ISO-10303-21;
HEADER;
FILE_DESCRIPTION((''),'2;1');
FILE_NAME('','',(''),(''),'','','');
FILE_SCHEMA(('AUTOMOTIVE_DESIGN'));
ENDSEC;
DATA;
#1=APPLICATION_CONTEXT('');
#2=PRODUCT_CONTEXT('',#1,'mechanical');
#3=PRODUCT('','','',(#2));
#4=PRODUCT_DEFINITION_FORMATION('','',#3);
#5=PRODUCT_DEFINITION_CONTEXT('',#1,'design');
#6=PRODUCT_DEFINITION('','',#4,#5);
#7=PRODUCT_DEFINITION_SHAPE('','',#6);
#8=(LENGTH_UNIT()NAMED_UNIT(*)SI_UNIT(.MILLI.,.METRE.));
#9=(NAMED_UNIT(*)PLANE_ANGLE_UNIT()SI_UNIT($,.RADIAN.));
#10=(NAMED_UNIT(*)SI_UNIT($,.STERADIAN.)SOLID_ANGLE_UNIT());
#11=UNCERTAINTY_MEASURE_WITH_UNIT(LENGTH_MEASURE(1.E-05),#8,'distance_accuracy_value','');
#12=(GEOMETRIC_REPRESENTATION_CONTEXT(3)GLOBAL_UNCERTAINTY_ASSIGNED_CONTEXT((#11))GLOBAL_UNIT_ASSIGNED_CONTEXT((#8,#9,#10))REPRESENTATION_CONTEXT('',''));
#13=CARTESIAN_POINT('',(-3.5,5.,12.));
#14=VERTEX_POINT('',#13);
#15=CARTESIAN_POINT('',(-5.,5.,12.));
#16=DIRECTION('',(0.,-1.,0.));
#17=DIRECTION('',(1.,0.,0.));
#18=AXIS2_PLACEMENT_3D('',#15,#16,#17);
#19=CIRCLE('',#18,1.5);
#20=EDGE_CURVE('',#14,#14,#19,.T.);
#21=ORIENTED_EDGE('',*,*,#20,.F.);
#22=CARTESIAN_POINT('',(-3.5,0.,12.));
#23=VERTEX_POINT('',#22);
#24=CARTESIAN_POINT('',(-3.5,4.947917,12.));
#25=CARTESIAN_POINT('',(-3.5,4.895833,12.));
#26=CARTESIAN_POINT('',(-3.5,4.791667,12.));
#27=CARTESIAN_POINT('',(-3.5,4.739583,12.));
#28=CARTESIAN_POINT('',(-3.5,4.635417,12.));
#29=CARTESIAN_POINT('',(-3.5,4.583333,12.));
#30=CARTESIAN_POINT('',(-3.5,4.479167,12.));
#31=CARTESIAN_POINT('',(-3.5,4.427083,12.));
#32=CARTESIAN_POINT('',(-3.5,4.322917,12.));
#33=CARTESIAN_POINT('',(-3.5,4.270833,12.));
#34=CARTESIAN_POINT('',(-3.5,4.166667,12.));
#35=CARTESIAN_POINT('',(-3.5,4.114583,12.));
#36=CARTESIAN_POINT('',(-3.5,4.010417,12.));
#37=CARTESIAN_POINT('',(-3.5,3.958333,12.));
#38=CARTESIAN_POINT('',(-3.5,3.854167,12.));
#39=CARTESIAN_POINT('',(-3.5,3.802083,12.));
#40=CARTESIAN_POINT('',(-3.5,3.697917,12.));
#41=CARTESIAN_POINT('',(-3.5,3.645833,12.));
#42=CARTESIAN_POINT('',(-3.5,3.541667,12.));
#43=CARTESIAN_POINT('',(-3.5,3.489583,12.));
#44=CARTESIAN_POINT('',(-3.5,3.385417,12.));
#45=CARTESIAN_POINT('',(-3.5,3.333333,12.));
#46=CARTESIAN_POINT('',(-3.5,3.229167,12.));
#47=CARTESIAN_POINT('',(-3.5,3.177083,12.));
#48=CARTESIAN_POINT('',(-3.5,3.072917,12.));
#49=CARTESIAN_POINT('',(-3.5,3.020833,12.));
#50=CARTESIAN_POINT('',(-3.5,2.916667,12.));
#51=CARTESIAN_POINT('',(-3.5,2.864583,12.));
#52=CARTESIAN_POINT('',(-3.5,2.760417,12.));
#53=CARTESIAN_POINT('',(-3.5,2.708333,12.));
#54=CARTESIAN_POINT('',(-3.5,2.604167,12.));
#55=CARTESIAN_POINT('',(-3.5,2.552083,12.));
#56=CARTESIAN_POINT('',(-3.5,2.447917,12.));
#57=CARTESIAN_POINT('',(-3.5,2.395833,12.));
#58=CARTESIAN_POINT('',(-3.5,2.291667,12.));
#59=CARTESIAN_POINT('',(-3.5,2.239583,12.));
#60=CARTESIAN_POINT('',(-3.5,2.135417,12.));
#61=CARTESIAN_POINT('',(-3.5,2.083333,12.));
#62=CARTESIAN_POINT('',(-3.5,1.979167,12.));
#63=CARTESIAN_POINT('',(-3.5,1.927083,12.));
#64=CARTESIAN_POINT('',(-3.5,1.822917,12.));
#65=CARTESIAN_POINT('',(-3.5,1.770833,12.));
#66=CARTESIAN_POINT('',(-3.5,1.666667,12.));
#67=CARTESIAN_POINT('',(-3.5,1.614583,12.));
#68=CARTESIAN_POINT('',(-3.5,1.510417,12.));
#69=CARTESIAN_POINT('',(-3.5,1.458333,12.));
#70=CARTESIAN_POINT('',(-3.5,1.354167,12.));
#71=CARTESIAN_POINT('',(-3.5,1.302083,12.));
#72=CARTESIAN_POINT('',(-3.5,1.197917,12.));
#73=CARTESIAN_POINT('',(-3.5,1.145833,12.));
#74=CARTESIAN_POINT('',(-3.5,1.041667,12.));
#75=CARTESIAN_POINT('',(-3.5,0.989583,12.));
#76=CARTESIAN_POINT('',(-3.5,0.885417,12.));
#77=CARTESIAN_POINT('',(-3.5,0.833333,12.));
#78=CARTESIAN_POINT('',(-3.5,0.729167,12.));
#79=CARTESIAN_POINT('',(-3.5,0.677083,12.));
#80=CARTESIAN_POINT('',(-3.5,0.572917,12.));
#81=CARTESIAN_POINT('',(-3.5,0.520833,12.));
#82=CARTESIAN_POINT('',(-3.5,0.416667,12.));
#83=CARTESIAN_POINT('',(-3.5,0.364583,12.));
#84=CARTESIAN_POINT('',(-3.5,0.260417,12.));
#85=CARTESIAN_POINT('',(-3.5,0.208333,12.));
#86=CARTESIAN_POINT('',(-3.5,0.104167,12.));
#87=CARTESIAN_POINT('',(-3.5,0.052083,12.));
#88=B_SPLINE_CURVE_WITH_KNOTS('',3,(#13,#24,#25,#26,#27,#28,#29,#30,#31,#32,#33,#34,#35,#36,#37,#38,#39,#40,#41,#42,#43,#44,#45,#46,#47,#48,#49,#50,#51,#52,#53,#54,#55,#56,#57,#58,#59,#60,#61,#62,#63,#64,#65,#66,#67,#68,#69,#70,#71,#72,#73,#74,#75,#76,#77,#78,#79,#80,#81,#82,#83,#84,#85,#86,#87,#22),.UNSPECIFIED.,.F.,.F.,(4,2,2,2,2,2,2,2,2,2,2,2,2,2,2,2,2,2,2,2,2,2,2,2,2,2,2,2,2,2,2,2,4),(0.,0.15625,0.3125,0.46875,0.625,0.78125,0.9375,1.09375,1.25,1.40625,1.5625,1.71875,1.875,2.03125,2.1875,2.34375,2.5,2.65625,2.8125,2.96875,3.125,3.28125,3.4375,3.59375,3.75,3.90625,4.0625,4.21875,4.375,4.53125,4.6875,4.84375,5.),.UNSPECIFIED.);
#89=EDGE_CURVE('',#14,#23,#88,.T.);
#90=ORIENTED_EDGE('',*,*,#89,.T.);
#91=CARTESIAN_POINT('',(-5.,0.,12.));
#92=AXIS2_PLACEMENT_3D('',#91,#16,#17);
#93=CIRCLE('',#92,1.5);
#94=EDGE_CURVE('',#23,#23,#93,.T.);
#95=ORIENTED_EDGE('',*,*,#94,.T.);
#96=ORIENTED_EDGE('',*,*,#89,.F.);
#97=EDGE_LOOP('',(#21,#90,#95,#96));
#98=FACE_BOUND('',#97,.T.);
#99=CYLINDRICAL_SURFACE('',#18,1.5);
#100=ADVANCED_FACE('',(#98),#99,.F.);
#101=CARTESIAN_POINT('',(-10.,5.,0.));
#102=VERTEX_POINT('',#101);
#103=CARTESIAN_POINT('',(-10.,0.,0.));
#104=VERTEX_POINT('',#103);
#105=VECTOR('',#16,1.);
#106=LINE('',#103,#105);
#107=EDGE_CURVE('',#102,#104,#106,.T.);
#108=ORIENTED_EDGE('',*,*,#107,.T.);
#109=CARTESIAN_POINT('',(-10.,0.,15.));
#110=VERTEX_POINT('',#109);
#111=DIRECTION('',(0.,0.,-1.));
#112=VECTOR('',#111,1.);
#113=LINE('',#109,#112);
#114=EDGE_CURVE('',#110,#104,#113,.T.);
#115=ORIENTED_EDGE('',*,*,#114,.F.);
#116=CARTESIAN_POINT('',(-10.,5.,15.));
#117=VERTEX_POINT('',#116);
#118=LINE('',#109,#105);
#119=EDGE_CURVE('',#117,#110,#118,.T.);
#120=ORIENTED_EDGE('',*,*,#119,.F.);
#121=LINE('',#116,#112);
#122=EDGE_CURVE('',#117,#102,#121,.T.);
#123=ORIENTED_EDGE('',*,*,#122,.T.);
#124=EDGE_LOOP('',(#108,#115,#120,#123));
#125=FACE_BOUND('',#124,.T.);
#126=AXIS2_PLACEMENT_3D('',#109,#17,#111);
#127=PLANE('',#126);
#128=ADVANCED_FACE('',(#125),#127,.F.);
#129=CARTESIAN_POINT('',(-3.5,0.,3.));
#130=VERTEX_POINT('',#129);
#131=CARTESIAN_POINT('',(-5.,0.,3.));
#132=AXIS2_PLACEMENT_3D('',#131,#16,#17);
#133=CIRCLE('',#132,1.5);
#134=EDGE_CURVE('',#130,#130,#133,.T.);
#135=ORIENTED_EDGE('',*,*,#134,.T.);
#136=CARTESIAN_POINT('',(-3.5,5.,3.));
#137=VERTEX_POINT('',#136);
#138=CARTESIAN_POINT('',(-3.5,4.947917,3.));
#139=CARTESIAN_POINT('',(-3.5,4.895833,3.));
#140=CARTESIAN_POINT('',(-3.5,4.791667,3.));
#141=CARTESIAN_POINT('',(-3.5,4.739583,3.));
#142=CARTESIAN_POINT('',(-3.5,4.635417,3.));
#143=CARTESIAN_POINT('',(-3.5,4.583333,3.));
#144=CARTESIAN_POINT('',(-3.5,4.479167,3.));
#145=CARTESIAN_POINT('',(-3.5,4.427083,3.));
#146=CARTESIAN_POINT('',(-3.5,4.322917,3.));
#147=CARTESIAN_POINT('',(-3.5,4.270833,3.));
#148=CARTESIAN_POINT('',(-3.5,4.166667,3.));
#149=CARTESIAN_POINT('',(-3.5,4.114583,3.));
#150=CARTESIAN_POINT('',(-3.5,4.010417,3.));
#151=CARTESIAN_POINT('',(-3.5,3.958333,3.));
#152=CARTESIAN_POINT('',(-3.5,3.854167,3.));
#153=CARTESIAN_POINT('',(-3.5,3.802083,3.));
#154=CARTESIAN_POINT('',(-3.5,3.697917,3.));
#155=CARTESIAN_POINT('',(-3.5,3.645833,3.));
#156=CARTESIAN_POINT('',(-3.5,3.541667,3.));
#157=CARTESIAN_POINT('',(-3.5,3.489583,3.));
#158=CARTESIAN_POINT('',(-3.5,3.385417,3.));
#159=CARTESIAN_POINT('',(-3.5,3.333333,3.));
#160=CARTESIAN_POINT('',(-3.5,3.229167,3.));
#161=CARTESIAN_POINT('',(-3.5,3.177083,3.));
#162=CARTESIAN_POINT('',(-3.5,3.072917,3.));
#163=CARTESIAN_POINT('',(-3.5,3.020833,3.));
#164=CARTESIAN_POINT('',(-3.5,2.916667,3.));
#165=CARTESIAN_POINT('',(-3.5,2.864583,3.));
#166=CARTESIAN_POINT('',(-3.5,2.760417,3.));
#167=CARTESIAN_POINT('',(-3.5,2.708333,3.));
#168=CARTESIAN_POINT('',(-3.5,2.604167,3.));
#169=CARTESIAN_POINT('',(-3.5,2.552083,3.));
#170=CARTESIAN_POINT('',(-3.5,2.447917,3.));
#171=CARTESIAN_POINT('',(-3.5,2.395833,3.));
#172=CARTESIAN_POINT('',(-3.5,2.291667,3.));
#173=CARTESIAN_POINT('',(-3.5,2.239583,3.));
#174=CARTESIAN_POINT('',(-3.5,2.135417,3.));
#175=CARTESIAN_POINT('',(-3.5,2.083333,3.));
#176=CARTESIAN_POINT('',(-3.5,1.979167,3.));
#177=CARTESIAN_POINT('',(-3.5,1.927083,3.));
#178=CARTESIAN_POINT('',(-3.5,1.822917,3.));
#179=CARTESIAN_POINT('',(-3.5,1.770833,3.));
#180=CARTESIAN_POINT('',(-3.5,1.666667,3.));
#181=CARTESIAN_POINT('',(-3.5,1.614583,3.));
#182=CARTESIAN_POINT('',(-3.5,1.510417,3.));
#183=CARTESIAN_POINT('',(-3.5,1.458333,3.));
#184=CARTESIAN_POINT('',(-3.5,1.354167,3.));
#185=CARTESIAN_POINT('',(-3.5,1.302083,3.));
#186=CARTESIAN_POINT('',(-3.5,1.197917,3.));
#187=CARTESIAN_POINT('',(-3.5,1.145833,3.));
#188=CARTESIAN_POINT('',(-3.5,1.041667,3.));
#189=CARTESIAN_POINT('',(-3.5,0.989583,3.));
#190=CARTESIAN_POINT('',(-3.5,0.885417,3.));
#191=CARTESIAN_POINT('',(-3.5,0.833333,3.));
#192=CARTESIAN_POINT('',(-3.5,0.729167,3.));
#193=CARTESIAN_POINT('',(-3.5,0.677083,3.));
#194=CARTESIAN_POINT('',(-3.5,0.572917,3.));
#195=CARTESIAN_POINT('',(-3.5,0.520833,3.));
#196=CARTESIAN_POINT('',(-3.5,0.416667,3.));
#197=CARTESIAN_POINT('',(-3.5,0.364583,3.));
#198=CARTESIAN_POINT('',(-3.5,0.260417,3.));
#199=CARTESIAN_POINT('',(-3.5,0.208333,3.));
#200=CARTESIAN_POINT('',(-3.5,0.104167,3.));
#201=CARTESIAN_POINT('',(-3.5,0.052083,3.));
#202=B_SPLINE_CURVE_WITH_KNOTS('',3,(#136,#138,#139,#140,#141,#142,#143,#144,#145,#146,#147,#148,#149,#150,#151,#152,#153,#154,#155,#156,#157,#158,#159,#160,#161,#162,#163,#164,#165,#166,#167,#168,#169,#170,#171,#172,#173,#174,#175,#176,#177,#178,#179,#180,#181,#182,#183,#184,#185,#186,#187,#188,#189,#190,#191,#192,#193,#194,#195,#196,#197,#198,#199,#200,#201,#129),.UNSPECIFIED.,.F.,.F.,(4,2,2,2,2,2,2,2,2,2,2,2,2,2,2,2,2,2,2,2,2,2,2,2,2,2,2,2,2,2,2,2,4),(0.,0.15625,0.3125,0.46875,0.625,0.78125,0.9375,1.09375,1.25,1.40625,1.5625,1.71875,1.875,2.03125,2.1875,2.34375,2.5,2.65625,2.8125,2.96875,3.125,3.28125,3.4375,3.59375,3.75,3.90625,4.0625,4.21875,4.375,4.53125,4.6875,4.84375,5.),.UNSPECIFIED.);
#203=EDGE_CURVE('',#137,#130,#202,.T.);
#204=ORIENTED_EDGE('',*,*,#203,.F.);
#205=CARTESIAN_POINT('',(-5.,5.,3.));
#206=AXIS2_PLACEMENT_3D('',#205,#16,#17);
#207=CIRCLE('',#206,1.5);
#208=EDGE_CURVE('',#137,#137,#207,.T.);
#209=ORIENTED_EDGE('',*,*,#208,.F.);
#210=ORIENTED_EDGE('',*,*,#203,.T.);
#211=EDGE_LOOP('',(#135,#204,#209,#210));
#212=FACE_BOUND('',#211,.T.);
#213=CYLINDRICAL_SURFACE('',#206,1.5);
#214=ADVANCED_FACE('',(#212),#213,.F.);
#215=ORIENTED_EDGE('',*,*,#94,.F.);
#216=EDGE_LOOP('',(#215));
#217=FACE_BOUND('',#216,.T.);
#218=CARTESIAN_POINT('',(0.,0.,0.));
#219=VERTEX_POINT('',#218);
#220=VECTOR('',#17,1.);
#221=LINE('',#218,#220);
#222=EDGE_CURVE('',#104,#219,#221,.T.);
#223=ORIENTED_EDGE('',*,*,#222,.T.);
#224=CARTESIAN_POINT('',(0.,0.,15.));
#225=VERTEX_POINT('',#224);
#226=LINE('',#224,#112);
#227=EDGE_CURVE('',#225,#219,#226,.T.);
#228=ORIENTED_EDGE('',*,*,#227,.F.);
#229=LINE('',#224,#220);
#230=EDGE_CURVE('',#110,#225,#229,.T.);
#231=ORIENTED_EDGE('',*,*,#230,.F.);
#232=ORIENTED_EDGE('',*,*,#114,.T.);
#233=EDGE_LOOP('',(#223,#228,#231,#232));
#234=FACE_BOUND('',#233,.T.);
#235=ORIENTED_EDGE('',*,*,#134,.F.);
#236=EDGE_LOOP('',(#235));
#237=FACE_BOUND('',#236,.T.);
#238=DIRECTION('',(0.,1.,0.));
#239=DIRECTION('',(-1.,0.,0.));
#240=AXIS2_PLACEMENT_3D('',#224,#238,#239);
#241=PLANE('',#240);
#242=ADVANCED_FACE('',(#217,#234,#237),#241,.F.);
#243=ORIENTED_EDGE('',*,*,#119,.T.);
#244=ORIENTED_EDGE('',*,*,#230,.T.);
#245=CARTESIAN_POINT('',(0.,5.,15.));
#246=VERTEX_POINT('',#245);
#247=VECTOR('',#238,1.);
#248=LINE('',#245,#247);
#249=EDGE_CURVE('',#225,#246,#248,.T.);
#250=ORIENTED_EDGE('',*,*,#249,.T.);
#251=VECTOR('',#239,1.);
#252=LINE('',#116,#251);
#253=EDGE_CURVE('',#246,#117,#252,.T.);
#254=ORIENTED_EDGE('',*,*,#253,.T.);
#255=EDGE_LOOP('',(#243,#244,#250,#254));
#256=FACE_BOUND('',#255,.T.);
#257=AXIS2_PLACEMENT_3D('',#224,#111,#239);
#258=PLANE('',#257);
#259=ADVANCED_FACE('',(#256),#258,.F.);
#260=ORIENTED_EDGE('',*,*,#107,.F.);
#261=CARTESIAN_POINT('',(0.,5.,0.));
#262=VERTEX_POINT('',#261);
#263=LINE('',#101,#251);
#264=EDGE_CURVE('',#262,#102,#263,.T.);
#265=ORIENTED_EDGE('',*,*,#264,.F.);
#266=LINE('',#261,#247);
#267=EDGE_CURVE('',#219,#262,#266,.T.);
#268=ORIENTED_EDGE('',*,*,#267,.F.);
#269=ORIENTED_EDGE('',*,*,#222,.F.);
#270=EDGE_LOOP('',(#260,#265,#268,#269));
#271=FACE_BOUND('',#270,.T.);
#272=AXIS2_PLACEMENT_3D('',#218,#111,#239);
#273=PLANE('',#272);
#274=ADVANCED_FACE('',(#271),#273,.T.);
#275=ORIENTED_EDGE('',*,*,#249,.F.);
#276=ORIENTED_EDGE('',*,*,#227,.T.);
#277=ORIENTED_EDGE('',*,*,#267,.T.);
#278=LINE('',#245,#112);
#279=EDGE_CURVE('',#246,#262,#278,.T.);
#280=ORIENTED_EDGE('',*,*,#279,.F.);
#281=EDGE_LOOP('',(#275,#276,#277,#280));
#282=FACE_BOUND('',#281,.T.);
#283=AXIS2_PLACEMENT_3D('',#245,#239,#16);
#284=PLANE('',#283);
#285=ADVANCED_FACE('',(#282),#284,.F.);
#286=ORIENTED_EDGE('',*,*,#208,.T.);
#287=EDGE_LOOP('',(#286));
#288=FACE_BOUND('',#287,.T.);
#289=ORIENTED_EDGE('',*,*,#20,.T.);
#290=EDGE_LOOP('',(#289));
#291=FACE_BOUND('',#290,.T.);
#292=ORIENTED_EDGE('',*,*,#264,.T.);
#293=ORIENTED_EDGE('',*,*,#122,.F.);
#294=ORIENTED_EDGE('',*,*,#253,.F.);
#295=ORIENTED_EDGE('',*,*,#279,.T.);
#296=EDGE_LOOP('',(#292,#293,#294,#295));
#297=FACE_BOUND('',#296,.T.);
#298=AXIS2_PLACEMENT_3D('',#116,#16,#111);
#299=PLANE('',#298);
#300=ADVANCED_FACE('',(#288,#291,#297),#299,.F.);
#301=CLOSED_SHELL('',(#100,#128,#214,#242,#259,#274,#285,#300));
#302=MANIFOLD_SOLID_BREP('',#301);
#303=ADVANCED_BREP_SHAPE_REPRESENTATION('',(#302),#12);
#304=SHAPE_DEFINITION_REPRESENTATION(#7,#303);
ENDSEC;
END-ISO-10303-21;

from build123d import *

# Parameters (mm, degrees)
SCHIZZO1_W                   = 10
SCHIZZO1_H                   = 5
ESTRUSIONE_ESTRUSIONE1_DEPTH = 15
SCHIZZO2_R                   = 1.5
TAGLIO_ESTRUSIONE1_DEPTH     = 19.708286934


with BuildPart() as part:
    # Schizzo1 → Estrusione-Estrusione1 (new body)
    with BuildSketch(Plane.XY):
        with Locations((-5, 2.5)):
            Rectangle(SCHIZZO1_W, SCHIZZO1_H)
    extrude(amount=ESTRUSIONE_ESTRUSIONE1_DEPTH)

    # Schizzo2 → Taglio-Estrusione1 (cut, through all)
    with BuildSketch(Plane(origin=(0, 0, 0), x_dir=(-1, 0, 0), z_dir=(0, -1, 0))):
        with Locations(Location((5, -12, 0), (0, 0, 180))):
            Circle(SCHIZZO2_R)
        with Locations(Location((5, -3, 0), (0, 0, 180))):
            Circle(SCHIZZO2_R)
    extrude(amount=-TAGLIO_ESTRUSIONE1_DEPTH, mode=Mode.SUBTRACT)


solid = part.part
